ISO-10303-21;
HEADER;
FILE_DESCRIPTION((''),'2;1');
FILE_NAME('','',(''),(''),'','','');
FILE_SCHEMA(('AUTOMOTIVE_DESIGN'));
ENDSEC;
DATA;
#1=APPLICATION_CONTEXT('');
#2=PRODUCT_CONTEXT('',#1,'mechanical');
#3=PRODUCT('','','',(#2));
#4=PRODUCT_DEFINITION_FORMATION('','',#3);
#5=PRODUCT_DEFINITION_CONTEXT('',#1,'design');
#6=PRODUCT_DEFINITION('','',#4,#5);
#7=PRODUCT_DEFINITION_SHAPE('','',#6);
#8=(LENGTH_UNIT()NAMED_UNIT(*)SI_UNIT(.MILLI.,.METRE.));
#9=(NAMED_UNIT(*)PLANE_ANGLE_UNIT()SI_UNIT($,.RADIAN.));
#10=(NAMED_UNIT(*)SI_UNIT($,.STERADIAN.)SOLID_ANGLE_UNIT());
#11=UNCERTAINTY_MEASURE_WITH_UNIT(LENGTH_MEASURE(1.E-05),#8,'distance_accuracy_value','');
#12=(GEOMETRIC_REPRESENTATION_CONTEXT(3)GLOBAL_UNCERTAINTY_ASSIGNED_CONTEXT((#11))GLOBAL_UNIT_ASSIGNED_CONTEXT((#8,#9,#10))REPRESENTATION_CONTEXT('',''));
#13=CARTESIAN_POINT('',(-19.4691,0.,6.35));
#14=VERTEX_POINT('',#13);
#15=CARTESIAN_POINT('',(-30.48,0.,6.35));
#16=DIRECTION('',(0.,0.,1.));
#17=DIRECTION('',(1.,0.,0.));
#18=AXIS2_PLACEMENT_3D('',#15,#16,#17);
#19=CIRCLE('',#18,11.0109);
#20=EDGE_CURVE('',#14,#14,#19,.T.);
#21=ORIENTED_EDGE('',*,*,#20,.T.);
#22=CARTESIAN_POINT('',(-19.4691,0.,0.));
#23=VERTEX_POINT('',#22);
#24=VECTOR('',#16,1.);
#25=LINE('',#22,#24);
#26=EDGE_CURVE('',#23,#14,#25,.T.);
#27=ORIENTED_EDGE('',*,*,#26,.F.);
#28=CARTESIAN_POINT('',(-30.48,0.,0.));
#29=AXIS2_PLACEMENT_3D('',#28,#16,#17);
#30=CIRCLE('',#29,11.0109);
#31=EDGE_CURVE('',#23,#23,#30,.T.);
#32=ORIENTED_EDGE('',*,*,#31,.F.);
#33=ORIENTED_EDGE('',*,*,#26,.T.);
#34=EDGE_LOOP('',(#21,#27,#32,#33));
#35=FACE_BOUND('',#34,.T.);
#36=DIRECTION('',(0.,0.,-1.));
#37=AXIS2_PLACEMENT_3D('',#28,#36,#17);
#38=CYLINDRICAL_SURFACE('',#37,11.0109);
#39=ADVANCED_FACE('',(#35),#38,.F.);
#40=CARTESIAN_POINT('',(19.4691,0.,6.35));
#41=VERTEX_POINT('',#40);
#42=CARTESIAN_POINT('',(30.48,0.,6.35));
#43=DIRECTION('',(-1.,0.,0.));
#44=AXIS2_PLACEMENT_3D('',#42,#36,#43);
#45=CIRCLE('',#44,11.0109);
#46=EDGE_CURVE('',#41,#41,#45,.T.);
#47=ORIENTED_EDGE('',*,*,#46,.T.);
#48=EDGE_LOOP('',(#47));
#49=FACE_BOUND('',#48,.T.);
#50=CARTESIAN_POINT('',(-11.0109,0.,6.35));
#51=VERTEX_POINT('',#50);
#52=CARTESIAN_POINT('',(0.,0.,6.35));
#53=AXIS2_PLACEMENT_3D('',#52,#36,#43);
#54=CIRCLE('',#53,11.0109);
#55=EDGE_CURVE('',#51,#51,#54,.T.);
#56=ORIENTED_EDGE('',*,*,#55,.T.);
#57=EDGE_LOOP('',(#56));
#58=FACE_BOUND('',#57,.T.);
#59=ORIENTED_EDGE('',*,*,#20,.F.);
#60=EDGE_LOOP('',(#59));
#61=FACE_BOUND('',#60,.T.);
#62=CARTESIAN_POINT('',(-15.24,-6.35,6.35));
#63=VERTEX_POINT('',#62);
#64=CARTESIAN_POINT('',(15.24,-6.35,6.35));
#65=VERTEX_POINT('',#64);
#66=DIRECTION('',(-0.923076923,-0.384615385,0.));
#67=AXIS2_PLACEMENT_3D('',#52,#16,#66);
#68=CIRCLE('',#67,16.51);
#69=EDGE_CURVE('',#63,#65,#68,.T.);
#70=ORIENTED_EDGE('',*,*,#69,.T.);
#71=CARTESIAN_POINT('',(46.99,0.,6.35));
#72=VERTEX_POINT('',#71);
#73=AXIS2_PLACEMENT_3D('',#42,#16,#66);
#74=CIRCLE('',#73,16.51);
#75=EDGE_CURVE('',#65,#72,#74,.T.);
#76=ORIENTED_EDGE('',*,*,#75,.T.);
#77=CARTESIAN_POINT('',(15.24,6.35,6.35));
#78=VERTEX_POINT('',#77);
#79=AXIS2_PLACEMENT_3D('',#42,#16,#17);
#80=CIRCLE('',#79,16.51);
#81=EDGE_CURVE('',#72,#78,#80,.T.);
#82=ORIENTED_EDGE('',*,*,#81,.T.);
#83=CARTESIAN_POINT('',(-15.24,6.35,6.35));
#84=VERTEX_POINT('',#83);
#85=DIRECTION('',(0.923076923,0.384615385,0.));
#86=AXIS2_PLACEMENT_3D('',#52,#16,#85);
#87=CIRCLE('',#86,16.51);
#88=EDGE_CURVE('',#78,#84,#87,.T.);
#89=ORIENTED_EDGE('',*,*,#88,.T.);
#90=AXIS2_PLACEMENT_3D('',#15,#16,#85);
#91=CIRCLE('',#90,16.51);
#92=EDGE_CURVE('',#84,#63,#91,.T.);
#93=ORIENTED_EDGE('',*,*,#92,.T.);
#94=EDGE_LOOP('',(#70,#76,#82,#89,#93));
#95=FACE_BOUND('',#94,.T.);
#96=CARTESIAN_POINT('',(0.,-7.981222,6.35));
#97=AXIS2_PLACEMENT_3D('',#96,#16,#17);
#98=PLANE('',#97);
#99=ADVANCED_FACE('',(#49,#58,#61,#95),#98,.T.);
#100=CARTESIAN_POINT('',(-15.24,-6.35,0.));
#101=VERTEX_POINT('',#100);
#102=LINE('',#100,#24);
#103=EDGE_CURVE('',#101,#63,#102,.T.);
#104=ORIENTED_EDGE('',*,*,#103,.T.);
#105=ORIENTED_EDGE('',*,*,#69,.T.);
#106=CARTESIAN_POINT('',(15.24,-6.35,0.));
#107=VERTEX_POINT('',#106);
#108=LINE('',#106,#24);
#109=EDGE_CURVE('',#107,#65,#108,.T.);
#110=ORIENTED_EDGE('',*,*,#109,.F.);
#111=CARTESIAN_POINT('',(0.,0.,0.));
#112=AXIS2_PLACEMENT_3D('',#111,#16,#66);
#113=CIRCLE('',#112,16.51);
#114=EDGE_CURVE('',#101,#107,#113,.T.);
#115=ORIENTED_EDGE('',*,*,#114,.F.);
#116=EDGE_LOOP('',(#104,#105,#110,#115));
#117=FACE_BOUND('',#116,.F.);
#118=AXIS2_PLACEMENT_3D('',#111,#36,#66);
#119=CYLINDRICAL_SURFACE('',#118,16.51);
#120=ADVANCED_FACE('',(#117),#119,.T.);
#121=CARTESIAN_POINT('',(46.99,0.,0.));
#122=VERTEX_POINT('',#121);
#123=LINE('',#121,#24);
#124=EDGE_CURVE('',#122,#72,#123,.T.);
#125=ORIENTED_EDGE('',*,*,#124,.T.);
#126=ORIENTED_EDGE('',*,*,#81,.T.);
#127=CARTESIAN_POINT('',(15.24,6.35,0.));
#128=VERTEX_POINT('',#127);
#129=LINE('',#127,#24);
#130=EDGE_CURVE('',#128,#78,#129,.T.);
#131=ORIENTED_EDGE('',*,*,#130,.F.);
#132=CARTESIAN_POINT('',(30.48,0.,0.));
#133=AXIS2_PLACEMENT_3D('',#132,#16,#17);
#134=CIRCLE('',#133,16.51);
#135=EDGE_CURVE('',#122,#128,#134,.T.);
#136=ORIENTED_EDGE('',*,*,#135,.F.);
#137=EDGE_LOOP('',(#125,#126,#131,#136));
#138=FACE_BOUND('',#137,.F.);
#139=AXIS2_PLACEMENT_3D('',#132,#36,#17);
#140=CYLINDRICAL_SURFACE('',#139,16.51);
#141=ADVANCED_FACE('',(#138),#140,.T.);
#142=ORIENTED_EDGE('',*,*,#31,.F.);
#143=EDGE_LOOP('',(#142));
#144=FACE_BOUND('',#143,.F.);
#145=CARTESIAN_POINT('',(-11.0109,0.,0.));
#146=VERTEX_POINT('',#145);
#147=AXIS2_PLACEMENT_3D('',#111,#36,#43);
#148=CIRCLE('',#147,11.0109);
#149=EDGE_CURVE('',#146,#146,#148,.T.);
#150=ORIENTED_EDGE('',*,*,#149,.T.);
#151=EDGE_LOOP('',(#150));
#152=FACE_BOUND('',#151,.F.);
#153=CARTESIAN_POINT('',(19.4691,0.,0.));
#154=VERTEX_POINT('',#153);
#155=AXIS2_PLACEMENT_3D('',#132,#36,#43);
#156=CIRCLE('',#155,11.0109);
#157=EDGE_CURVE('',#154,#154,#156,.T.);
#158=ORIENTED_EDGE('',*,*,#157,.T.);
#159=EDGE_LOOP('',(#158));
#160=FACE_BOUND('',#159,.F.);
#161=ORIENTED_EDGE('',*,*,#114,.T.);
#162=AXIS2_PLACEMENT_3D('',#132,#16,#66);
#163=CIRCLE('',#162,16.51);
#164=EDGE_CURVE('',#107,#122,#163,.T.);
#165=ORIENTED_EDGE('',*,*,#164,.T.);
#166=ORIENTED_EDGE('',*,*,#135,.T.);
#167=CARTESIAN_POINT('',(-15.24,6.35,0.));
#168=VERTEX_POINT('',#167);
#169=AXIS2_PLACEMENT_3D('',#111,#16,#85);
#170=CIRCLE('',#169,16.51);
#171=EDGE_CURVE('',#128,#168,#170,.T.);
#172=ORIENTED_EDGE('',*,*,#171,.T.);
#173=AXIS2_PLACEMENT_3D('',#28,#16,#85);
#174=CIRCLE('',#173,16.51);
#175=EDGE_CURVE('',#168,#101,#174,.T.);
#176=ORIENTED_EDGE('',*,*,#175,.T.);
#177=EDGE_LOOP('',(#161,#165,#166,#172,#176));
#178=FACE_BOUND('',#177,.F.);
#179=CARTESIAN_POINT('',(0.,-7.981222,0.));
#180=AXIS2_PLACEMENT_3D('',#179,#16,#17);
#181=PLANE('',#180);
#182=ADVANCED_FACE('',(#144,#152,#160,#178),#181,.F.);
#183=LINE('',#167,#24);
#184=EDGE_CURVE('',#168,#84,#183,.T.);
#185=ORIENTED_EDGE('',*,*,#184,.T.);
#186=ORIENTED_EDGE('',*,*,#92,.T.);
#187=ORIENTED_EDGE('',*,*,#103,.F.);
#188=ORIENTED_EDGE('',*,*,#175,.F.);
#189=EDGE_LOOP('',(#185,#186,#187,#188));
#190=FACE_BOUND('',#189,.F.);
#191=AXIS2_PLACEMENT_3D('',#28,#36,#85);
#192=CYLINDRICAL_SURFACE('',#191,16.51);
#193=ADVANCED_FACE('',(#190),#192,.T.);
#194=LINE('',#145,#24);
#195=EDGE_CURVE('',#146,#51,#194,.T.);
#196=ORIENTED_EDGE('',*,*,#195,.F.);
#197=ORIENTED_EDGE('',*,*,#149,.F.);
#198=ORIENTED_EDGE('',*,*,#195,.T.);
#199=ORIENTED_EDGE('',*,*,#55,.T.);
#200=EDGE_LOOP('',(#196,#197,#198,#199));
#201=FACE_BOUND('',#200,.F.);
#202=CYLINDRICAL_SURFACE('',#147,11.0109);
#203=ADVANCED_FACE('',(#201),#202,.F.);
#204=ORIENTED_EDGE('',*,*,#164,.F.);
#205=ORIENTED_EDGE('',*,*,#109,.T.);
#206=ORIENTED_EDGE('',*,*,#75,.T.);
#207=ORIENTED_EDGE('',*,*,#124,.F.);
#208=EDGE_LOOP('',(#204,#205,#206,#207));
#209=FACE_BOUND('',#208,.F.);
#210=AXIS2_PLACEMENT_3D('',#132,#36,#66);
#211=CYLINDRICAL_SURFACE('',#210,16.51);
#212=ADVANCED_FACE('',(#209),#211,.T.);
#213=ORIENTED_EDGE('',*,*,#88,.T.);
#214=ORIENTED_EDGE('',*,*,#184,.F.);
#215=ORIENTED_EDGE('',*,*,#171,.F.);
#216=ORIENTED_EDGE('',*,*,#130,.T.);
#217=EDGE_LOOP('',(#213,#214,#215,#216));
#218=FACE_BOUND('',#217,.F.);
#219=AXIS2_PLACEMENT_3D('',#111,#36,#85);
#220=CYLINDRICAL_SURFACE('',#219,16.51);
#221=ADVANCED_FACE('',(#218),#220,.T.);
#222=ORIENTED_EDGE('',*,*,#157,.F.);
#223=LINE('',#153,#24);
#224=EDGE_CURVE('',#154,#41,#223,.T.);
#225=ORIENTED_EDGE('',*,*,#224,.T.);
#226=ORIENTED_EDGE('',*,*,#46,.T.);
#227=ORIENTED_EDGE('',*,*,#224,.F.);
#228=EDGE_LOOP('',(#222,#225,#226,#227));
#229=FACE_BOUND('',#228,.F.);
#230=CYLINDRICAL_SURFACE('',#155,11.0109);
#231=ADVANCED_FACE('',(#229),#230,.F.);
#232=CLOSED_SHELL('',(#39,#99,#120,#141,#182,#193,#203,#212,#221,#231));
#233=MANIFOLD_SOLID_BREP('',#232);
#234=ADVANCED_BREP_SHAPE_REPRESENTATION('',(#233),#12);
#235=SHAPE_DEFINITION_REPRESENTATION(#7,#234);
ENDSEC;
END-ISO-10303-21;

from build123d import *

# Parameters (mm, degrees)
F0_R     = 11.0109
F1_DEPTH = 6.35
F2_DEPTH = 6.35


with BuildPart() as f1:
    # F0 (on Top) → F1 (new body)
    with BuildSketch(Plane.XY):
        with BuildLine():
            Line((13.97, 0), (11.0109, 0))
            ThreePointArc((11.0109, 0), (0, -11.0109), (-11.0109, 0))
            Line((-11.0109, 0), (-13.97, 0))
            ThreePointArc((-13.97, 0), (-14.2906130443, -3.2378773911), (-15.24, -6.35))
            ThreePointArc((-15.24, -6.35), (0, -16.51), (15.24, -6.35))
            ThreePointArc((15.24, -6.35), (14.2906130443, -3.2378773911), (13.97, 0))
        make_face()
        with BuildLine():
            ThreePointArc((-11.0109, 0), (0, 11.0109), (11.0109, 0))
            Line((11.0109, 0), (13.97, 0))
            ThreePointArc((13.97, 0), (14.2906130443, 3.2378773911), (15.24, 6.35))
            ThreePointArc((15.24, 6.35), (0, 16.51), (-15.24, 6.35))
            ThreePointArc((-15.24, 6.35), (-14.2906130443, 3.2378773911), (-13.97, 0))
            Line((-13.97, 0), (-11.0109, 0))
        make_face()
        with BuildLine():
            ThreePointArc((15.24, 6.35), (14.2906130443, 3.2378773911), (13.97, 0))
            Line((13.97, 0), (16.51, 0))
            ThreePointArc((16.51, 0), (16.1893869557, 3.2378773911), (15.24, 6.35))
        make_face()
        with BuildLine():
            Line((16.51, 0), (13.97, 0))
            ThreePointArc((13.97, 0), (14.2906130443, -3.2378773911), (15.24, -6.35))
            ThreePointArc((15.24, -6.35), (16.1893869557, -3.2378773911), (16.51, 0))
        make_face()
        with BuildLine():
            ThreePointArc((-15.24, -6.35), (-14.2906130443, -3.2378773911), (-13.97, 0))
            Line((-13.97, 0), (-16.51, 0))
            ThreePointArc((-16.51, 0), (-16.1893869557, -3.2378773911), (-15.24, -6.35))
        make_face()
        with BuildLine():
            Line((-16.51, 0), (-13.97, 0))
            ThreePointArc((-13.97, 0), (-14.2906130443, 3.2378773911), (-15.24, 6.35))
            ThreePointArc((-15.24, 6.35), (-16.1893869557, 3.2378773911), (-16.51, 0))
        make_face()
        with BuildLine():
            ThreePointArc((15.24, 6.35), (16.1893869557, 3.2378773911), (16.51, 0))
            ThreePointArc((16.51, 0), (16.1893869557, -3.2378773911), (15.24, -6.35))
            ThreePointArc((15.24, -6.35), (33.7178773911, -16.1893869557), (46.99, 0))
            ThreePointArc((46.99, 0), (33.7178773911, 16.1893869557), (15.24, 6.35))
        make_face()
        with BuildLine():
            ThreePointArc((41.4909, 0), (30.48, -11.0109), (19.4691, 0))
            ThreePointArc((19.4691, 0), (30.48, 11.0109), (41.4909, 0))
        make_face(mode=Mode.SUBTRACT)
        with BuildLine():
            ThreePointArc((-15.24, -6.35), (-16.1893869557, -3.2378773911), (-16.51, 0))
            ThreePointArc((-16.51, 0), (-16.1893869557, 3.2378773911), (-15.24, 6.35))
            ThreePointArc((-15.24, 6.35), (-46.99, 0), (-15.24, -6.35))
        make_face()
        with Locations((-30.48, 0)):
            Circle(F0_R, mode=Mode.SUBTRACT)
    extrude(amount=F1_DEPTH)

    # F0 (on Top) → F2 (join)
    with BuildSketch(Plane.XY):
        with BuildLine():
            Line((13.97, 0), (11.0109, 0))
            ThreePointArc((11.0109, 0), (0, -11.0109), (-11.0109, 0))
            Line((-11.0109, 0), (-13.97, 0))
            ThreePointArc((-13.97, 0), (-14.2906130443, -3.2378773911), (-15.24, -6.35))
            ThreePointArc((-15.24, -6.35), (0, -16.51), (15.24, -6.35))
            ThreePointArc((15.24, -6.35), (14.2906130443, -3.2378773911), (13.97, 0))
        make_face()
        with BuildLine():
            ThreePointArc((-11.0109, 0), (0, 11.0109), (11.0109, 0))
            Line((11.0109, 0), (13.97, 0))
            ThreePointArc((13.97, 0), (14.2906130443, 3.2378773911), (15.24, 6.35))
            ThreePointArc((15.24, 6.35), (0, 16.51), (-15.24, 6.35))
            ThreePointArc((-15.24, 6.35), (-14.2906130443, 3.2378773911), (-13.97, 0))
            Line((-13.97, 0), (-11.0109, 0))
        make_face()
        with BuildLine():
            ThreePointArc((15.24, 6.35), (14.2906130443, 3.2378773911), (13.97, 0))
            Line((13.97, 0), (16.51, 0))
            ThreePointArc((16.51, 0), (16.1893869557, 3.2378773911), (15.24, 6.35))
        make_face()
        with BuildLine():
            Line((16.51, 0), (13.97, 0))
            ThreePointArc((13.97, 0), (14.2906130443, -3.2378773911), (15.24, -6.35))
            ThreePointArc((15.24, -6.35), (16.1893869557, -3.2378773911), (16.51, 0))
        make_face()
        with BuildLine():
            ThreePointArc((-15.24, -6.35), (-14.2906130443, -3.2378773911), (-13.97, 0))
            Line((-13.97, 0), (-16.51, 0))
            ThreePointArc((-16.51, 0), (-16.1893869557, -3.2378773911), (-15.24, -6.35))
        make_face()
        with BuildLine():
            Line((-16.51, 0), (-13.97, 0))
            ThreePointArc((-13.97, 0), (-14.2906130443, 3.2378773911), (-15.24, 6.35))
            ThreePointArc((-15.24, 6.35), (-16.1893869557, 3.2378773911), (-16.51, 0))
        make_face()
        with BuildLine():
            ThreePointArc((15.24, 6.35), (16.1893869557, 3.2378773911), (16.51, 0))
            ThreePointArc((16.51, 0), (16.1893869557, -3.2378773911), (15.24, -6.35))
            ThreePointArc((15.24, -6.35), (33.7178773911, -16.1893869557), (46.99, 0))
            ThreePointArc((46.99, 0), (33.7178773911, 16.1893869557), (15.24, 6.35))
        make_face()
        with BuildLine():
            ThreePointArc((41.4909, 0), (30.48, -11.0109), (19.4691, 0))
            ThreePointArc((19.4691, 0), (30.48, 11.0109), (41.4909, 0))
        make_face(mode=Mode.SUBTRACT)
        with BuildLine():
            ThreePointArc((-15.24, -6.35), (-16.1893869557, -3.2378773911), (-16.51, 0))
            ThreePointArc((-16.51, 0), (-16.1893869557, 3.2378773911), (-15.24, 6.35))
            ThreePointArc((-15.24, 6.35), (-46.99, 0), (-15.24, -6.35))
        make_face()
        with Locations((-30.48, 0)):
            Circle(F0_R, mode=Mode.SUBTRACT)
    extrude(amount=F2_DEPTH)


solid = f1.part
